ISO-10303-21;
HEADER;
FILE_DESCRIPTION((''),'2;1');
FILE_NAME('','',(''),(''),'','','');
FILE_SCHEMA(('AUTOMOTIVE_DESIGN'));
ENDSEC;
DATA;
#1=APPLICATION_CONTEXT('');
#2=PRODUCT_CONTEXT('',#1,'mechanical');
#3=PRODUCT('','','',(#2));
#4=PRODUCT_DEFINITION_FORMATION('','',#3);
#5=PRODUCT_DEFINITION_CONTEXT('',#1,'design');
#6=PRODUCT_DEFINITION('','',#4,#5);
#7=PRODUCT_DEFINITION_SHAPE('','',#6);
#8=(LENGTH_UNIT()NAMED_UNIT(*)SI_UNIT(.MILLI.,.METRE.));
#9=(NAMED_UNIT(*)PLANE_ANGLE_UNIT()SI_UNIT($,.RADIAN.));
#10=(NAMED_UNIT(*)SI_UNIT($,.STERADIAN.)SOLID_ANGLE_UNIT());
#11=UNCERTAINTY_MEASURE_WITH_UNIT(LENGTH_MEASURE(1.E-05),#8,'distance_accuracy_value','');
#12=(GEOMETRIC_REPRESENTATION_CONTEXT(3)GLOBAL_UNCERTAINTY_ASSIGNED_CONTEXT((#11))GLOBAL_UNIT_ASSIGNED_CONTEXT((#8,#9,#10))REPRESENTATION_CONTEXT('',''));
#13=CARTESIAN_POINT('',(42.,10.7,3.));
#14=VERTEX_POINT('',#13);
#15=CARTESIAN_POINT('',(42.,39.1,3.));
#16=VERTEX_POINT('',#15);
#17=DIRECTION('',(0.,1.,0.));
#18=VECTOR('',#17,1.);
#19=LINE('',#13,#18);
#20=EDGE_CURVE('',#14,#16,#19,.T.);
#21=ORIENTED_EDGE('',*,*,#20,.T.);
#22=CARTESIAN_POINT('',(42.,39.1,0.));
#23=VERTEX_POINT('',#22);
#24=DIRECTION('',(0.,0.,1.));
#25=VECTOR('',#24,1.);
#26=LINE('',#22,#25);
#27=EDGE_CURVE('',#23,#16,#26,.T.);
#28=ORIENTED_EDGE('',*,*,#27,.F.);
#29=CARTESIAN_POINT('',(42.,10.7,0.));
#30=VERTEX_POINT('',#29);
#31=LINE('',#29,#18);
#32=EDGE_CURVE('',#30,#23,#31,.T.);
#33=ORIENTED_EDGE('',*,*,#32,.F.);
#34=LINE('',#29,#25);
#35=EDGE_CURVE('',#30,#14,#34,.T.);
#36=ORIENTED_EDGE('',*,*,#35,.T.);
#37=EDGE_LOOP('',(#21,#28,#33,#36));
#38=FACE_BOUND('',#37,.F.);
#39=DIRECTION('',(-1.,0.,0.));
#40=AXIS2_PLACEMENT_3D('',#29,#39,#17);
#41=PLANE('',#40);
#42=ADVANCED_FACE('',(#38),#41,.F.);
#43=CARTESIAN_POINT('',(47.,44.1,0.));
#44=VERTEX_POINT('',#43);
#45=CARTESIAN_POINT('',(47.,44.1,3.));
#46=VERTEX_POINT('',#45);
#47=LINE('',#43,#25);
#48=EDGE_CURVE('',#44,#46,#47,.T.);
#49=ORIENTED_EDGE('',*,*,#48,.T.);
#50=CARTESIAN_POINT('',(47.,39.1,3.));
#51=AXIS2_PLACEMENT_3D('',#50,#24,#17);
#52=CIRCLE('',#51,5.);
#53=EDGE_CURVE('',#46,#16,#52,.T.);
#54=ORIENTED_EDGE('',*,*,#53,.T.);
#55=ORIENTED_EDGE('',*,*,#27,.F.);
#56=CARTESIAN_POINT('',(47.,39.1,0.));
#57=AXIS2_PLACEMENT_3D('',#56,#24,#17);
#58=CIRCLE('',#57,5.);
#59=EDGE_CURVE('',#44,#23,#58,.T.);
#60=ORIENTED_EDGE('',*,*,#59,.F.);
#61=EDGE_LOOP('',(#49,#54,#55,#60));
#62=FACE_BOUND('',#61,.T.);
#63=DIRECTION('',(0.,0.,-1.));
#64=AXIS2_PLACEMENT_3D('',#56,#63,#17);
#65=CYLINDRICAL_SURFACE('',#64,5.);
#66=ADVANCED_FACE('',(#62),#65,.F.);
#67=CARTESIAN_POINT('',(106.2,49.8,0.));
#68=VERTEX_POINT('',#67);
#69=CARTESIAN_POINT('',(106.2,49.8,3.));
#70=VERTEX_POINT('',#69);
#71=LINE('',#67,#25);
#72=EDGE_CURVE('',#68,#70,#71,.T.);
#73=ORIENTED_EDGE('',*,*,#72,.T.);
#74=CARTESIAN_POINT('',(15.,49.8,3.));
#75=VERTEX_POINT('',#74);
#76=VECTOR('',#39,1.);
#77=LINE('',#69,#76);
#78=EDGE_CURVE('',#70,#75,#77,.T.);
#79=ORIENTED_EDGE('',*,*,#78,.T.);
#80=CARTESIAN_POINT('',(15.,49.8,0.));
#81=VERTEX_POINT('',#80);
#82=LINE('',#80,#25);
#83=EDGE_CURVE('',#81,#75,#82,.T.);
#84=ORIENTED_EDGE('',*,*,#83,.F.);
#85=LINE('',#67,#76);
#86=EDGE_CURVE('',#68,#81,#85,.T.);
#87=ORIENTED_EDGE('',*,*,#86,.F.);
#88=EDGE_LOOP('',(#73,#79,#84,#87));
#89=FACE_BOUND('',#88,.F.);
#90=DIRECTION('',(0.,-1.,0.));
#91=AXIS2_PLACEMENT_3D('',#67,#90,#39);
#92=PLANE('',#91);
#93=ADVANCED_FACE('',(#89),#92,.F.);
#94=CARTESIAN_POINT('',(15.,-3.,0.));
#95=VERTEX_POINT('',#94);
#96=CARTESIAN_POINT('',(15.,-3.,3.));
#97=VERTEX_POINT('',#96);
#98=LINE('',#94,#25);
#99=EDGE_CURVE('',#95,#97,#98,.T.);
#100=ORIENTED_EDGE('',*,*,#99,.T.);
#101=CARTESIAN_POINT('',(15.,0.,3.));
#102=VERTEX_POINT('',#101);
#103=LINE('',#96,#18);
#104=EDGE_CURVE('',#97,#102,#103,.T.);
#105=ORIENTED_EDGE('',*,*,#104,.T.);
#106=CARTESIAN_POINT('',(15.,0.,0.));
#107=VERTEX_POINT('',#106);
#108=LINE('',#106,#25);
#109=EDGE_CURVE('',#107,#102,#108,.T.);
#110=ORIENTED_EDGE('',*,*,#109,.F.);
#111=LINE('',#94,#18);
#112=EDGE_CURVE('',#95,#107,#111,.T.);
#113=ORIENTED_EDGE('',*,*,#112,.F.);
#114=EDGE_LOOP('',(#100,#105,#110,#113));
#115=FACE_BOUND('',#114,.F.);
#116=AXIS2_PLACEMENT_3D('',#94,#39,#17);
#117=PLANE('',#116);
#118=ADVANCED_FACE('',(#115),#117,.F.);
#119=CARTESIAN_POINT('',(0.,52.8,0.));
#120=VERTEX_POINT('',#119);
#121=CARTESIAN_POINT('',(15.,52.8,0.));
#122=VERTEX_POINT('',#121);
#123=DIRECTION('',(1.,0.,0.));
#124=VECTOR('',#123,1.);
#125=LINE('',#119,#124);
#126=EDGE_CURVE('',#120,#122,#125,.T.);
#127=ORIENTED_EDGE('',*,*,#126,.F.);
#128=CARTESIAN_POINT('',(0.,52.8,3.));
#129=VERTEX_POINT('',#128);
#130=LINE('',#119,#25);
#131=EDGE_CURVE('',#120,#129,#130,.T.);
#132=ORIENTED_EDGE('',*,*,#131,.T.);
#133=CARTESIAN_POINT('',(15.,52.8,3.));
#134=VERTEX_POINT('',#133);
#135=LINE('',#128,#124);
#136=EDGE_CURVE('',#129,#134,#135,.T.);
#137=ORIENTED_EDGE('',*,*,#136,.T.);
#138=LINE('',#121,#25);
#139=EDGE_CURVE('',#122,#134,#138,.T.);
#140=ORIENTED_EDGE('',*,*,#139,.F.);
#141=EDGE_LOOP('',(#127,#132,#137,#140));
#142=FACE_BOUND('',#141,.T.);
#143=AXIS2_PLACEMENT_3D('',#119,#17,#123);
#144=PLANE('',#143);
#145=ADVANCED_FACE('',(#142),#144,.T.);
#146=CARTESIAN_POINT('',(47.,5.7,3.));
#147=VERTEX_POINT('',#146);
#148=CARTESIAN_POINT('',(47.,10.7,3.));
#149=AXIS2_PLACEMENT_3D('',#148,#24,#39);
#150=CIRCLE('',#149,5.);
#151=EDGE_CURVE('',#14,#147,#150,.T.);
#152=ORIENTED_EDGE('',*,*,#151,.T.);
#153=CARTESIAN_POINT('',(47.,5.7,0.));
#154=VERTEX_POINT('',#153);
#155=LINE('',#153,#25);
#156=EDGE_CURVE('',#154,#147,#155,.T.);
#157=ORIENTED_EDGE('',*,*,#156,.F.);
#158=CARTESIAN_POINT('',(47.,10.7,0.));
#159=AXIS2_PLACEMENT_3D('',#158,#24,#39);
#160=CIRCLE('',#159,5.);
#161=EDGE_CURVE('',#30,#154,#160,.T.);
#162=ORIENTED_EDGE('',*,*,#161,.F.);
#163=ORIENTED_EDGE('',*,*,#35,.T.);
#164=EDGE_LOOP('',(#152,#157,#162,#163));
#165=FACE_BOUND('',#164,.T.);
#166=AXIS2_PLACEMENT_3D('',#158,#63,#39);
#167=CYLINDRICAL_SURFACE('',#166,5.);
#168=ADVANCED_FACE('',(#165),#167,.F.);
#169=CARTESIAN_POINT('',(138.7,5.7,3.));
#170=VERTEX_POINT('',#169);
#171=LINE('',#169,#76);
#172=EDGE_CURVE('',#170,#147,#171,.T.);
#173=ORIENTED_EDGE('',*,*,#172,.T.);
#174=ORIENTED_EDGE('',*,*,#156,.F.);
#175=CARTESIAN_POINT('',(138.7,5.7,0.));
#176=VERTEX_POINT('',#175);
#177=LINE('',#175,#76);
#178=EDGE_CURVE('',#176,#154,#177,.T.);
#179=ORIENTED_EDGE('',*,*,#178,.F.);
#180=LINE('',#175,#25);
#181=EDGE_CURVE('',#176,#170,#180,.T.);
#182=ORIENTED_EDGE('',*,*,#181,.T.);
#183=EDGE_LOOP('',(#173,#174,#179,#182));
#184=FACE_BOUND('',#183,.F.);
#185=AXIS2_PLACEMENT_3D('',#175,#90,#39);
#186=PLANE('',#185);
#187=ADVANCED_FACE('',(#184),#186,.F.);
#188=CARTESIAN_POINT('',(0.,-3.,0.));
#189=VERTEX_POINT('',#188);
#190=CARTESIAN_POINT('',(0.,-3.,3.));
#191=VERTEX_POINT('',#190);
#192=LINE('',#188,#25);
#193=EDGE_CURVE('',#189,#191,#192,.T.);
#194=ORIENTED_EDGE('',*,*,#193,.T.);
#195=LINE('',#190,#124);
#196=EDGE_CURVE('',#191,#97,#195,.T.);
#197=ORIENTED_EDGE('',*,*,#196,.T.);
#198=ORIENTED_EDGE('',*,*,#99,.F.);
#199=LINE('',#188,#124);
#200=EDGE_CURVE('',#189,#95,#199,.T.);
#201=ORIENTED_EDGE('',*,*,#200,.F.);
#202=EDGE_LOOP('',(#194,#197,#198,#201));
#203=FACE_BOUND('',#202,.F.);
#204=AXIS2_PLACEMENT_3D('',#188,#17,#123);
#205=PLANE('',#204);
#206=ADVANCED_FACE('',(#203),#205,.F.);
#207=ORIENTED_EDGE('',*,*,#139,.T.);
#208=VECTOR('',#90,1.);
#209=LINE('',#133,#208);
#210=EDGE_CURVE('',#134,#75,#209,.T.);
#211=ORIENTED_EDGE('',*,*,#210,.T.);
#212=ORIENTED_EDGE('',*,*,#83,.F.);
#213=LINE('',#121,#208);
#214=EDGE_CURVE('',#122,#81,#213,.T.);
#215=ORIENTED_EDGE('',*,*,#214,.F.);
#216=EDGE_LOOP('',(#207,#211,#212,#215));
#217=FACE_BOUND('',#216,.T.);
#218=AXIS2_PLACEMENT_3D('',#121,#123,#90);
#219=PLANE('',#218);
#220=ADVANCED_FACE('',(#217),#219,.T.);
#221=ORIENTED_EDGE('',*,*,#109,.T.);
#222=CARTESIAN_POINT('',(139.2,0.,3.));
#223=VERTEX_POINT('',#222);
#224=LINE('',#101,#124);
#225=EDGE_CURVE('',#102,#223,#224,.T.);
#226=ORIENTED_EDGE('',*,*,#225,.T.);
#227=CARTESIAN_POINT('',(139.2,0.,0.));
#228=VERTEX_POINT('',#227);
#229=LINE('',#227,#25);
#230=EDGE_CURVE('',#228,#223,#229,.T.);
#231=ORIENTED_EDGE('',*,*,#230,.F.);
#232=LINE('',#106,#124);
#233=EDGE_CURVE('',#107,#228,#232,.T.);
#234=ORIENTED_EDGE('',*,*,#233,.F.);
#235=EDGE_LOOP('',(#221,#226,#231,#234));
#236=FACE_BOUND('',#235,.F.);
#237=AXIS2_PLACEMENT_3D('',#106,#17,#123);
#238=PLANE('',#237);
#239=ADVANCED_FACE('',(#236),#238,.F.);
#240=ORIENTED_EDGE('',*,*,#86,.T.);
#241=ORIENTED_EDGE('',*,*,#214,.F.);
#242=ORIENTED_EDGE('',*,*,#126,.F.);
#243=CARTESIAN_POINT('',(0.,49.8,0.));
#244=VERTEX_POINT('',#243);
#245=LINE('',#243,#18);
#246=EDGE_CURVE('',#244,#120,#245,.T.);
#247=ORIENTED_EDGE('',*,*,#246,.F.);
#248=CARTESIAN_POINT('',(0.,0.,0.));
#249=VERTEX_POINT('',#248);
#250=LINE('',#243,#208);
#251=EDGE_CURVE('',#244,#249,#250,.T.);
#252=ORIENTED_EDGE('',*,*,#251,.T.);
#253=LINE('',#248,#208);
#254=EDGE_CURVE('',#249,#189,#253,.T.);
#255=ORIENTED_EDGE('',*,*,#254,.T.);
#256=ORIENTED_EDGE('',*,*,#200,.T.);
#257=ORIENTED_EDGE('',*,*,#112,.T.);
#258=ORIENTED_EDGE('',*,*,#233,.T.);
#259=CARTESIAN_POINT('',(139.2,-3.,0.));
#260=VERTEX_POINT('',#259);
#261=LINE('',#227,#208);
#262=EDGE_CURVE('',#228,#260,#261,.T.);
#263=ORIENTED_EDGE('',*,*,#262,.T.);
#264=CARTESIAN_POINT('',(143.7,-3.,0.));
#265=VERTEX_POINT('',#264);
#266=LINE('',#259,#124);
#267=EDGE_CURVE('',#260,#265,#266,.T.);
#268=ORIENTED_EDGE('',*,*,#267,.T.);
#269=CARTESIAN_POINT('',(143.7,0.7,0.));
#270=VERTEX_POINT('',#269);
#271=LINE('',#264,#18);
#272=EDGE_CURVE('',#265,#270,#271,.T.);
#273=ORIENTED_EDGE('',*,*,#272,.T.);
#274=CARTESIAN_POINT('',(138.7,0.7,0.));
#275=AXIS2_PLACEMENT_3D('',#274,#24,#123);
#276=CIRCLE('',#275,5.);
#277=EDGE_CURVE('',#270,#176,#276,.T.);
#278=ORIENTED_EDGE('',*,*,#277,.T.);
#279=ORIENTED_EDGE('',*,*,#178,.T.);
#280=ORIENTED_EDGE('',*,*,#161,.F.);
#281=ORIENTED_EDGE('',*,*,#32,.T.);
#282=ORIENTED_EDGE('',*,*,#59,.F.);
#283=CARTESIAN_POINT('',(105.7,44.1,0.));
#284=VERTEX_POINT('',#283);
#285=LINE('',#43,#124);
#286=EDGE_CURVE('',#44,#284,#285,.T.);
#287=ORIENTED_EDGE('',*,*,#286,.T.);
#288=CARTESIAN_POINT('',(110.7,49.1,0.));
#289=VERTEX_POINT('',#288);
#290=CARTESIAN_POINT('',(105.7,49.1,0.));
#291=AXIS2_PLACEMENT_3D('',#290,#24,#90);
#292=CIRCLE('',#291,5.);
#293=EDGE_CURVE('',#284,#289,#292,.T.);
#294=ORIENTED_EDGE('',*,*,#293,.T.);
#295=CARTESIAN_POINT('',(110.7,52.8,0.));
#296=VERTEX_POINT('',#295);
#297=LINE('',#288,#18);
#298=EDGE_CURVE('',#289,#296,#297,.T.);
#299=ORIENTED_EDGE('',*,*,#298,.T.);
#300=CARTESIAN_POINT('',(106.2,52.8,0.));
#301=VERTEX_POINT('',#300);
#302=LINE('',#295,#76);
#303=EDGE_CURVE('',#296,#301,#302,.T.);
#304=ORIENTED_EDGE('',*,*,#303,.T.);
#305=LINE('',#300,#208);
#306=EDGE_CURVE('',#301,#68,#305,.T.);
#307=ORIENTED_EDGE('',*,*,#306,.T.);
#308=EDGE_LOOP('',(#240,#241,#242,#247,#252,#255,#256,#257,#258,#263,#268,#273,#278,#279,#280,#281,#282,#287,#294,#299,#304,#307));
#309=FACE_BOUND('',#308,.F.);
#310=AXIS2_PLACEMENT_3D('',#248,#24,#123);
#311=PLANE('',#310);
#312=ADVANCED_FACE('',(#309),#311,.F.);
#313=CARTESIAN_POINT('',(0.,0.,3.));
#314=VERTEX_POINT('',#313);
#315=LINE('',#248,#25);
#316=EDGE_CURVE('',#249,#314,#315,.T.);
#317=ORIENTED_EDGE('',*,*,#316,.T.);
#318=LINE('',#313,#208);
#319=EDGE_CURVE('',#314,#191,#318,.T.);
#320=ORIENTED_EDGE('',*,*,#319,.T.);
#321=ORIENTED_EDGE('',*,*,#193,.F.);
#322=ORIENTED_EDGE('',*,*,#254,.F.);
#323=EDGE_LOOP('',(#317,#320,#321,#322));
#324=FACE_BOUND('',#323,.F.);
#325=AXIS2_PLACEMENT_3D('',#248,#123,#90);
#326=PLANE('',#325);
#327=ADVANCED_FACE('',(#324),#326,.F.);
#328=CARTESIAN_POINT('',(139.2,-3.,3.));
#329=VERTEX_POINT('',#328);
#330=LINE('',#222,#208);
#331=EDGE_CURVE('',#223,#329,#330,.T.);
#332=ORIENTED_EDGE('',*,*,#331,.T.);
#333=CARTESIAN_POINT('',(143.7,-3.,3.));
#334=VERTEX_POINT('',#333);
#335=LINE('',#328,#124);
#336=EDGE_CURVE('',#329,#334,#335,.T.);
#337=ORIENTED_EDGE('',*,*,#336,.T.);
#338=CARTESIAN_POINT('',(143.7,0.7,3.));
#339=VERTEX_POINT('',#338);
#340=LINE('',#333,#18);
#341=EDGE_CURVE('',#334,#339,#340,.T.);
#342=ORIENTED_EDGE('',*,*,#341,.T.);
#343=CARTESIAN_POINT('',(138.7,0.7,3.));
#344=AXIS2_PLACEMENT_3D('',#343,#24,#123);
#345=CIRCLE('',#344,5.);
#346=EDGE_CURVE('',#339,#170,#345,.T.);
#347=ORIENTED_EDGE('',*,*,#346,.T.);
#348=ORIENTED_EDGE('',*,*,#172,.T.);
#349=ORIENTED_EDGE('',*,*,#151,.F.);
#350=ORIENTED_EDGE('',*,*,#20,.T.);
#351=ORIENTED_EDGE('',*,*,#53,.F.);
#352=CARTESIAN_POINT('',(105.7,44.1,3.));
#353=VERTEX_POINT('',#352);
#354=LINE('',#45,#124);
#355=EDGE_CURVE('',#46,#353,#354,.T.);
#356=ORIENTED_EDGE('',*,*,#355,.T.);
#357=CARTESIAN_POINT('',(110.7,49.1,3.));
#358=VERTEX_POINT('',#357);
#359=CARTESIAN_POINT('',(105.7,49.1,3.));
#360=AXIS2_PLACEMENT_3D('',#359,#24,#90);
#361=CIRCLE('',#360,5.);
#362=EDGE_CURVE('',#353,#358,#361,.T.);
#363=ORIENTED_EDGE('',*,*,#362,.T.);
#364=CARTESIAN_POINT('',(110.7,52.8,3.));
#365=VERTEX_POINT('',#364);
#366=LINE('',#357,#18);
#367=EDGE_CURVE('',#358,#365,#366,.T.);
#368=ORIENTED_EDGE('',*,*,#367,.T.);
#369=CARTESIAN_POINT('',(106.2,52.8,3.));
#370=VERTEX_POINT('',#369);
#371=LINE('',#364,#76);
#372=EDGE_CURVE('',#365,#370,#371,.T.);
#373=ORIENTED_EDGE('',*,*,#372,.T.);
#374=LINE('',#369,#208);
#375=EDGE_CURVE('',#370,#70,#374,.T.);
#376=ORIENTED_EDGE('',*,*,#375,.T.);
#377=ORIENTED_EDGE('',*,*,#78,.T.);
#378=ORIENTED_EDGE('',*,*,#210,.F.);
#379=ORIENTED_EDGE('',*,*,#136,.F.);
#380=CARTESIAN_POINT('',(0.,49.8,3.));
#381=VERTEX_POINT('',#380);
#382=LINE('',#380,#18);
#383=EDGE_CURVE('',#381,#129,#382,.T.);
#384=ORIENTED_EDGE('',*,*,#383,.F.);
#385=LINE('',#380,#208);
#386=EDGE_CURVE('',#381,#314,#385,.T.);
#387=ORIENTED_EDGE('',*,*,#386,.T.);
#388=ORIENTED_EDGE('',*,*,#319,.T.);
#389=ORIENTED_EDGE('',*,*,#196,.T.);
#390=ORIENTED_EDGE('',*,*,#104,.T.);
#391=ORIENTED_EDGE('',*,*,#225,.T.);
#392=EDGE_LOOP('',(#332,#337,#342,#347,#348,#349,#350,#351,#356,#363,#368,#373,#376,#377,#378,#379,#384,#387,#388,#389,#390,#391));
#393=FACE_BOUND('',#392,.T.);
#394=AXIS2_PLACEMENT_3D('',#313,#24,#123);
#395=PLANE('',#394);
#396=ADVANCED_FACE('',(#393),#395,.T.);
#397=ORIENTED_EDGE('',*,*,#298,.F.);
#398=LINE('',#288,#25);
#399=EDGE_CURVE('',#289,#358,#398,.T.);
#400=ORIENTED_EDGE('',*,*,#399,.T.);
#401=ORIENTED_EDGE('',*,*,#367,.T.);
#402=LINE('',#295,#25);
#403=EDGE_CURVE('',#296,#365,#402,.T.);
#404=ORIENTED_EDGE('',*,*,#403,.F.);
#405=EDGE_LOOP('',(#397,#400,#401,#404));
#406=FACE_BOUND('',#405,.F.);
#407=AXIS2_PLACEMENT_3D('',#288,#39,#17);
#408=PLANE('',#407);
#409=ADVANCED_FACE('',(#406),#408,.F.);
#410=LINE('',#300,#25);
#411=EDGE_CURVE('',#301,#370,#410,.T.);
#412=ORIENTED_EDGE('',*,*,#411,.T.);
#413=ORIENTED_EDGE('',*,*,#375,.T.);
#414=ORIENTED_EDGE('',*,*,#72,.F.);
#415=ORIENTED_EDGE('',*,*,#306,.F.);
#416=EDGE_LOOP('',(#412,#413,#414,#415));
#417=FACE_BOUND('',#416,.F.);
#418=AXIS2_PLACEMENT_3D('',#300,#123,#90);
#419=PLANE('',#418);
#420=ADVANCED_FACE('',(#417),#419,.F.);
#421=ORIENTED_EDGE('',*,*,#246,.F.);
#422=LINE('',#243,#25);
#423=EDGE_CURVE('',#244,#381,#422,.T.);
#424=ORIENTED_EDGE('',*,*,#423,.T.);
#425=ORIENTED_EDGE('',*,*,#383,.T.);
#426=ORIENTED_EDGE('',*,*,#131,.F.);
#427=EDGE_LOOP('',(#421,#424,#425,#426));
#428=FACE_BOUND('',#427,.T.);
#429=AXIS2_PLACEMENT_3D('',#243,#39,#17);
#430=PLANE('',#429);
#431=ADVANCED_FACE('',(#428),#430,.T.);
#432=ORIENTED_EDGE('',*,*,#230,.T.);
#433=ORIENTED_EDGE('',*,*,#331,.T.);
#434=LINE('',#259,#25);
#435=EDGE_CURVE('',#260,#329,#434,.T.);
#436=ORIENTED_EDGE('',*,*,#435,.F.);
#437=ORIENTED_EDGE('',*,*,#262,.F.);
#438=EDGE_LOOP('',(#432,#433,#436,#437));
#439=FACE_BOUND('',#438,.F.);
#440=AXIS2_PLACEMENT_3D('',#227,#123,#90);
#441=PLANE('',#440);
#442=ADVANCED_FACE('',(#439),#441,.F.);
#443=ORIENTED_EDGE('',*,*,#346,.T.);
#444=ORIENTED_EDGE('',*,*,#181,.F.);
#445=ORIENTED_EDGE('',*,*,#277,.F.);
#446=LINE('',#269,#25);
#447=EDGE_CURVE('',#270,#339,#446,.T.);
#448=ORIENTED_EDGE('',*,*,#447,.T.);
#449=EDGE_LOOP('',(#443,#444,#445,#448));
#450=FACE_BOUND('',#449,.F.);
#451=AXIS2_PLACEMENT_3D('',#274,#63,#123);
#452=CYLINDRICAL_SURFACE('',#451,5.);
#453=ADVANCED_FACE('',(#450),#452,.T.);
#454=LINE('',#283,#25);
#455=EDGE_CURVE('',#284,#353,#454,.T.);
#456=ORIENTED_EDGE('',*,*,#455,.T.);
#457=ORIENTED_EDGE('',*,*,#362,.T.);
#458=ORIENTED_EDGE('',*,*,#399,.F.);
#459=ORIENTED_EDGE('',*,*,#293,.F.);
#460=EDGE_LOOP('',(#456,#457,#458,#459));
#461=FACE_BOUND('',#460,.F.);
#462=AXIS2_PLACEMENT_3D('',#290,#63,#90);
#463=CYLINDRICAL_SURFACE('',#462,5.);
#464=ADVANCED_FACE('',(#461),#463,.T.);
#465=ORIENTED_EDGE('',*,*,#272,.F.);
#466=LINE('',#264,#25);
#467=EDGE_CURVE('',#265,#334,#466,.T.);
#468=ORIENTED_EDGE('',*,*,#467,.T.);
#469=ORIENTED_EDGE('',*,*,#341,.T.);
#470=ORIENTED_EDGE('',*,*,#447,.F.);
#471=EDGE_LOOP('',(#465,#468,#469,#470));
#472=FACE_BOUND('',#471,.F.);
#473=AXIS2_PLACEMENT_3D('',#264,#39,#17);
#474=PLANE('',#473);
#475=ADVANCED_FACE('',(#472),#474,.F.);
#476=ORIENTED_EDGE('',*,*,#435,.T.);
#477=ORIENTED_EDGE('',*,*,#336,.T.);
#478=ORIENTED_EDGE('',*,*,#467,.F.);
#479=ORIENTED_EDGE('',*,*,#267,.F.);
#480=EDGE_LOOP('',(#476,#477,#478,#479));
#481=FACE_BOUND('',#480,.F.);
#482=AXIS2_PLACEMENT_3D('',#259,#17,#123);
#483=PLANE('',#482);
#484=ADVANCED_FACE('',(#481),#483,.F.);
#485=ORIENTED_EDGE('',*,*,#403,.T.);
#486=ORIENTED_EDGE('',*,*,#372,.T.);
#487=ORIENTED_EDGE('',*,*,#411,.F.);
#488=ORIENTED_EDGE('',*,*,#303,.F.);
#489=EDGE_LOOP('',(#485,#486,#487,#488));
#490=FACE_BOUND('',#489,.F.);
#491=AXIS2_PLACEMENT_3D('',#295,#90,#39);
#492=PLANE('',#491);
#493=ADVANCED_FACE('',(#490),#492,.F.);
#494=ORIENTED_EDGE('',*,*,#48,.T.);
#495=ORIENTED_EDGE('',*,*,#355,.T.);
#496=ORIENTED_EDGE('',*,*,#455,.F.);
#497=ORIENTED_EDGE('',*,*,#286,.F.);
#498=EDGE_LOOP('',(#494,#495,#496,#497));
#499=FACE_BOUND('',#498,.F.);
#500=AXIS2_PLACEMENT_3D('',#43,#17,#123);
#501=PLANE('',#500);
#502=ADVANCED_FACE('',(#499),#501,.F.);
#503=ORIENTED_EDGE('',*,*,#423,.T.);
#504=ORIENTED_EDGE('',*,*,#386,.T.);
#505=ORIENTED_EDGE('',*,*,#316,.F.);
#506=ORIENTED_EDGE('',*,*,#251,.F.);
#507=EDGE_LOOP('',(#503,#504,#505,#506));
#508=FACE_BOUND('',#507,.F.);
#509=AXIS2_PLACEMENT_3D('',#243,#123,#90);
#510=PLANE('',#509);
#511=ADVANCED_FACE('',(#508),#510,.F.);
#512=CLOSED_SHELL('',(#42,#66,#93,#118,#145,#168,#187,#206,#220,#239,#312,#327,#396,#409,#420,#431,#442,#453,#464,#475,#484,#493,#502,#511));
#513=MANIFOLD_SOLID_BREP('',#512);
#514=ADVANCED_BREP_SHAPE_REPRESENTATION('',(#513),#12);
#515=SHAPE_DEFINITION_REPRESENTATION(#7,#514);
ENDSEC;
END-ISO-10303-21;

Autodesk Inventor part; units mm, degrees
ref_plane "YZ Plane" through (0, 0, 0) normal (1, 0, 0) x (0, 1, 0)
ref_plane "XZ Plane" through (0, 0, 0) normal (0, 1, 0) x (-1, 0, 0)
ref_plane "XY Plane" through (0, 0, 0) normal (0, 0, 1) x (1, 0, 0)
sketch "Эскиз3" plane through (0, 0, 0) normal (0, 0, 1) x (1, 0, 0)
  line L0 (106.2, 49.8) -> (15, 49.8)
  line L1 (0, 49.8) -> (0, 0)
  line L2 (0, 0) -> (0, -3)
  line L3 (0, -3) -> (15, -3)
  line L4 (15, -3) -> (15, 0)
  line L5 (0, 49.8) -> (0, 52.8)
  line L6 (0, 52.8) -> (15, 52.8)
  line L7 (15, 52.8) -> (15, 49.8)
  line L8 (138.7, 5.7) -> (47, 5.7)
  line L9 (42, 10.7) -> (42, 39.1)
  line L10 (47, 44.1) -> (105.7, 44.1)
  line L11 (110.7, 49.1) -> (110.7, 52.8)
  line L12 (110.7, 52.8) -> (106.2, 52.8)
  line L13 (106.2, 52.8) -> (106.2, 49.8)
  arc A0 (105.7, 44.1) -> (110.7, 49.1) centre (105.7, 49.1) ccw
  arc A1 (42, 10.7) -> (47, 5.7) centre (47, 10.7) ccw
  arc A2 (47, 44.1) -> (42, 39.1) centre (47, 39.1) ccw
  line L14 (15, 0) -> (139.2, 0)
  line L15 (139.2, 0) -> (139.2, -3)
  line L16 (139.2, -3) -> (143.7, -3)
  line L17 (143.7, -3) -> (143.7, 0.7)
  arc A3 (143.7, 0.7) -> (138.7, 5.7) centre (138.7, 0.7) ccw
  point P0 (42, 5.7)
  point P1 (42, 44.1)
  point P2 (110.7, 44.1)
  point P3 (143.7, 5.7)
  dimension "d10" = 15
  dimension "d12" = 42
  dimension "d13" = 4.5
  dimension "d14" = 5
  dimension "d15" = 5.7
  dimension "d16" = 5
  dimension "d17" = 91.2
  dimension "d18" = 3
  dimension "d20" = 5
  dimension "d21" = 124.2
  dimension "d22" = 49.8
extrude "Выдавливание3" add sketch "Эскиз3" along normal blind 3
equation "\"d6\" = thickness_steel"
equation "\"tolerance_plazma\" = 0.1"
equation "\"thickness_steel\" = 3"
equation "\"d_main_screw_holes\" = 6.1"
equation "\"thickness_profile_tibea\" = 3"
equation "\"hight_shaft_shift\" = 37"
equation "\"thickness_profile_femur\" = 3"
equation "\"width_shaft_shift\" = 35"
equation "\"width_flattened_surface\" = 12"
properties part number "femur_reinforcement_tibea_steel" material "Сталь"
